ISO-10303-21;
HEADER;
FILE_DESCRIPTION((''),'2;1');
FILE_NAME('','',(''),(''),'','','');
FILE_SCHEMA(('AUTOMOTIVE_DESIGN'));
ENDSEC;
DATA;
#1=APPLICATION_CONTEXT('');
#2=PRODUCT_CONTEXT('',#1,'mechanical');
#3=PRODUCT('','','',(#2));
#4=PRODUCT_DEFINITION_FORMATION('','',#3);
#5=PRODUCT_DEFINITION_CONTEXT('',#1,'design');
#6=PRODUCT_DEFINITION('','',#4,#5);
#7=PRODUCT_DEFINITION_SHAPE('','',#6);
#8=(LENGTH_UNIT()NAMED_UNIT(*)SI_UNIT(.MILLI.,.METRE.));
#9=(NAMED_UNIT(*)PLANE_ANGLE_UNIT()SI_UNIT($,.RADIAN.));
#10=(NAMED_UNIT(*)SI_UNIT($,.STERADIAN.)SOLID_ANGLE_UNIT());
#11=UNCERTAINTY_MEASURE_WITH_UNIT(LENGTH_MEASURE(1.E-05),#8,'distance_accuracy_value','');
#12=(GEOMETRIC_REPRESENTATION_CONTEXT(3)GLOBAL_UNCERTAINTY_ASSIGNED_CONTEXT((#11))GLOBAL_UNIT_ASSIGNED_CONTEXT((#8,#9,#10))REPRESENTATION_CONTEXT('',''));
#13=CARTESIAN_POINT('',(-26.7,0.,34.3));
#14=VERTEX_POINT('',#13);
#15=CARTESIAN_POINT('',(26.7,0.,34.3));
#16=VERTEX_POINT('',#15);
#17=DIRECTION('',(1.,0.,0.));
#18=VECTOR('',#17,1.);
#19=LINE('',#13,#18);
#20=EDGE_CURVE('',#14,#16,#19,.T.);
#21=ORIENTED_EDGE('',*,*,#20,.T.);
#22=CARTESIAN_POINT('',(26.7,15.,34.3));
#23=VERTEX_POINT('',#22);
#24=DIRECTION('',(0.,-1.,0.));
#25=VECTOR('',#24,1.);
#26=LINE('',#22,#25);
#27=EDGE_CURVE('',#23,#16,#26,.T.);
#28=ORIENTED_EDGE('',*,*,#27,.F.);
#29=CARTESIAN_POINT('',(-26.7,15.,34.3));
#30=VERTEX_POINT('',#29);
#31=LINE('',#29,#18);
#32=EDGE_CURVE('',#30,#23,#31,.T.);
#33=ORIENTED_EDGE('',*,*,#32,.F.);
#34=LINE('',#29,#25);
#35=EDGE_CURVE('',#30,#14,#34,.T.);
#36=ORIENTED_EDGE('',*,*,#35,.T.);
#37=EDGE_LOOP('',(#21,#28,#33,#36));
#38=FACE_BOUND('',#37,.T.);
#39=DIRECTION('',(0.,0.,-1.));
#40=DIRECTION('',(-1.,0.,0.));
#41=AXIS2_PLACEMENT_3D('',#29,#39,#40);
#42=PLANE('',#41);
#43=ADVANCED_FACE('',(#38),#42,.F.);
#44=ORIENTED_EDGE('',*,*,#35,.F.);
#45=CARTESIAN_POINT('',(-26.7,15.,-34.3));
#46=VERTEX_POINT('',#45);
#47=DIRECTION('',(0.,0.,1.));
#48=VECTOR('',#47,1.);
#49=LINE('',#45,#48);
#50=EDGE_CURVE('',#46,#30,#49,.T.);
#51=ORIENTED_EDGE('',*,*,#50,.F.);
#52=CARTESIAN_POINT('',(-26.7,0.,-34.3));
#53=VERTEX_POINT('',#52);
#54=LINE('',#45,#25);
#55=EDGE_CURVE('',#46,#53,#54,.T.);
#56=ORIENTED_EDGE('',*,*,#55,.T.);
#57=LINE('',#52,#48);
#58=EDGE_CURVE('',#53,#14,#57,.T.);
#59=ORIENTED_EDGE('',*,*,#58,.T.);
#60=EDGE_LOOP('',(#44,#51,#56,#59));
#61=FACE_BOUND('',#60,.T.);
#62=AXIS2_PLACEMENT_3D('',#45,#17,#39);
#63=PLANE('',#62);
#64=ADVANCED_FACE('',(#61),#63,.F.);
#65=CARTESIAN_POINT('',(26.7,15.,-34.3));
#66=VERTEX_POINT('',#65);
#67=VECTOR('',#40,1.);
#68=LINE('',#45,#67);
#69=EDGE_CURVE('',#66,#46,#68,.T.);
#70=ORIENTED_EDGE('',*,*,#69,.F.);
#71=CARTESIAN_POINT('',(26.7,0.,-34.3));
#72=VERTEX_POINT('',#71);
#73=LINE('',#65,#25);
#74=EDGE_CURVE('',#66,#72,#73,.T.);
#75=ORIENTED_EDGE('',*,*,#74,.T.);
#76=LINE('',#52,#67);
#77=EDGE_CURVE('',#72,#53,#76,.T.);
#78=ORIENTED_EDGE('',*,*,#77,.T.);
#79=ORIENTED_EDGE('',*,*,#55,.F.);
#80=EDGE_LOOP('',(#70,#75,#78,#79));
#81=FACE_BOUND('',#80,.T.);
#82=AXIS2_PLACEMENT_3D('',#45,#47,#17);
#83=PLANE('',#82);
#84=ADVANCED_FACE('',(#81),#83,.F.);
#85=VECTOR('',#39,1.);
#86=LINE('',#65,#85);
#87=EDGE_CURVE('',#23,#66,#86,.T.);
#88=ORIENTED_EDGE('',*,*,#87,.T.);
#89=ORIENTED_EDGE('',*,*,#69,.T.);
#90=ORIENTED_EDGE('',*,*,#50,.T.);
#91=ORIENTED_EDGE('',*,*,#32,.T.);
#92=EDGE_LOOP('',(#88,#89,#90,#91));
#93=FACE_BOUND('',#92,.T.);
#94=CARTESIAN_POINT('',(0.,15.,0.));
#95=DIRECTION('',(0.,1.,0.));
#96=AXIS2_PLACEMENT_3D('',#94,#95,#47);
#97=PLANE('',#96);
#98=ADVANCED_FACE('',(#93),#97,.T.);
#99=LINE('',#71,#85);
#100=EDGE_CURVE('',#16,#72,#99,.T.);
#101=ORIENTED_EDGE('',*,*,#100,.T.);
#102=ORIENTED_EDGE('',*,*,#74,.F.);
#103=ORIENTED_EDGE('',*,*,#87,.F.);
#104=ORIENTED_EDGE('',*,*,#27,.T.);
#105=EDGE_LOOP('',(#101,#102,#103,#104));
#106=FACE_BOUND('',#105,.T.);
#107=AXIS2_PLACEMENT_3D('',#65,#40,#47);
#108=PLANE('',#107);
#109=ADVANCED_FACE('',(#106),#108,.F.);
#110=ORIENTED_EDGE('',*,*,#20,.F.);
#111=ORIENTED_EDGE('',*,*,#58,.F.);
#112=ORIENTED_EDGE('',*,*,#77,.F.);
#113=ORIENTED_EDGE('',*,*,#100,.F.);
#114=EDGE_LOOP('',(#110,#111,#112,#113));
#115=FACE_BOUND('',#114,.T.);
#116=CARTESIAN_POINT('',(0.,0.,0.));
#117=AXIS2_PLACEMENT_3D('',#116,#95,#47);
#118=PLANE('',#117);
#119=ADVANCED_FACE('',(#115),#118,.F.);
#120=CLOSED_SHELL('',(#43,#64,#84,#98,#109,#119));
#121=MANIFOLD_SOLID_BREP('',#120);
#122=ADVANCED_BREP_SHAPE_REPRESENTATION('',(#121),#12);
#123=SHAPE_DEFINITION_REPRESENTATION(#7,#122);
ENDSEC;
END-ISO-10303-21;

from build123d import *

# Parameters (mm, degrees)
SKETCH1_W           = 53.4
SKETCH1_H           = 68.6
BOSS_EXTRUDE1_DEPTH = 15


with BuildPart() as part:
    # Sketch1 → Boss-Extrude1 (new body)
    with BuildSketch(Plane(origin=(0, 0, 0), x_dir=(1, 0, 0), z_dir=(0, 1, 0))):
        Rectangle(SKETCH1_W, SKETCH1_H)
    extrude(amount=BOSS_EXTRUDE1_DEPTH)


solid = part.part
